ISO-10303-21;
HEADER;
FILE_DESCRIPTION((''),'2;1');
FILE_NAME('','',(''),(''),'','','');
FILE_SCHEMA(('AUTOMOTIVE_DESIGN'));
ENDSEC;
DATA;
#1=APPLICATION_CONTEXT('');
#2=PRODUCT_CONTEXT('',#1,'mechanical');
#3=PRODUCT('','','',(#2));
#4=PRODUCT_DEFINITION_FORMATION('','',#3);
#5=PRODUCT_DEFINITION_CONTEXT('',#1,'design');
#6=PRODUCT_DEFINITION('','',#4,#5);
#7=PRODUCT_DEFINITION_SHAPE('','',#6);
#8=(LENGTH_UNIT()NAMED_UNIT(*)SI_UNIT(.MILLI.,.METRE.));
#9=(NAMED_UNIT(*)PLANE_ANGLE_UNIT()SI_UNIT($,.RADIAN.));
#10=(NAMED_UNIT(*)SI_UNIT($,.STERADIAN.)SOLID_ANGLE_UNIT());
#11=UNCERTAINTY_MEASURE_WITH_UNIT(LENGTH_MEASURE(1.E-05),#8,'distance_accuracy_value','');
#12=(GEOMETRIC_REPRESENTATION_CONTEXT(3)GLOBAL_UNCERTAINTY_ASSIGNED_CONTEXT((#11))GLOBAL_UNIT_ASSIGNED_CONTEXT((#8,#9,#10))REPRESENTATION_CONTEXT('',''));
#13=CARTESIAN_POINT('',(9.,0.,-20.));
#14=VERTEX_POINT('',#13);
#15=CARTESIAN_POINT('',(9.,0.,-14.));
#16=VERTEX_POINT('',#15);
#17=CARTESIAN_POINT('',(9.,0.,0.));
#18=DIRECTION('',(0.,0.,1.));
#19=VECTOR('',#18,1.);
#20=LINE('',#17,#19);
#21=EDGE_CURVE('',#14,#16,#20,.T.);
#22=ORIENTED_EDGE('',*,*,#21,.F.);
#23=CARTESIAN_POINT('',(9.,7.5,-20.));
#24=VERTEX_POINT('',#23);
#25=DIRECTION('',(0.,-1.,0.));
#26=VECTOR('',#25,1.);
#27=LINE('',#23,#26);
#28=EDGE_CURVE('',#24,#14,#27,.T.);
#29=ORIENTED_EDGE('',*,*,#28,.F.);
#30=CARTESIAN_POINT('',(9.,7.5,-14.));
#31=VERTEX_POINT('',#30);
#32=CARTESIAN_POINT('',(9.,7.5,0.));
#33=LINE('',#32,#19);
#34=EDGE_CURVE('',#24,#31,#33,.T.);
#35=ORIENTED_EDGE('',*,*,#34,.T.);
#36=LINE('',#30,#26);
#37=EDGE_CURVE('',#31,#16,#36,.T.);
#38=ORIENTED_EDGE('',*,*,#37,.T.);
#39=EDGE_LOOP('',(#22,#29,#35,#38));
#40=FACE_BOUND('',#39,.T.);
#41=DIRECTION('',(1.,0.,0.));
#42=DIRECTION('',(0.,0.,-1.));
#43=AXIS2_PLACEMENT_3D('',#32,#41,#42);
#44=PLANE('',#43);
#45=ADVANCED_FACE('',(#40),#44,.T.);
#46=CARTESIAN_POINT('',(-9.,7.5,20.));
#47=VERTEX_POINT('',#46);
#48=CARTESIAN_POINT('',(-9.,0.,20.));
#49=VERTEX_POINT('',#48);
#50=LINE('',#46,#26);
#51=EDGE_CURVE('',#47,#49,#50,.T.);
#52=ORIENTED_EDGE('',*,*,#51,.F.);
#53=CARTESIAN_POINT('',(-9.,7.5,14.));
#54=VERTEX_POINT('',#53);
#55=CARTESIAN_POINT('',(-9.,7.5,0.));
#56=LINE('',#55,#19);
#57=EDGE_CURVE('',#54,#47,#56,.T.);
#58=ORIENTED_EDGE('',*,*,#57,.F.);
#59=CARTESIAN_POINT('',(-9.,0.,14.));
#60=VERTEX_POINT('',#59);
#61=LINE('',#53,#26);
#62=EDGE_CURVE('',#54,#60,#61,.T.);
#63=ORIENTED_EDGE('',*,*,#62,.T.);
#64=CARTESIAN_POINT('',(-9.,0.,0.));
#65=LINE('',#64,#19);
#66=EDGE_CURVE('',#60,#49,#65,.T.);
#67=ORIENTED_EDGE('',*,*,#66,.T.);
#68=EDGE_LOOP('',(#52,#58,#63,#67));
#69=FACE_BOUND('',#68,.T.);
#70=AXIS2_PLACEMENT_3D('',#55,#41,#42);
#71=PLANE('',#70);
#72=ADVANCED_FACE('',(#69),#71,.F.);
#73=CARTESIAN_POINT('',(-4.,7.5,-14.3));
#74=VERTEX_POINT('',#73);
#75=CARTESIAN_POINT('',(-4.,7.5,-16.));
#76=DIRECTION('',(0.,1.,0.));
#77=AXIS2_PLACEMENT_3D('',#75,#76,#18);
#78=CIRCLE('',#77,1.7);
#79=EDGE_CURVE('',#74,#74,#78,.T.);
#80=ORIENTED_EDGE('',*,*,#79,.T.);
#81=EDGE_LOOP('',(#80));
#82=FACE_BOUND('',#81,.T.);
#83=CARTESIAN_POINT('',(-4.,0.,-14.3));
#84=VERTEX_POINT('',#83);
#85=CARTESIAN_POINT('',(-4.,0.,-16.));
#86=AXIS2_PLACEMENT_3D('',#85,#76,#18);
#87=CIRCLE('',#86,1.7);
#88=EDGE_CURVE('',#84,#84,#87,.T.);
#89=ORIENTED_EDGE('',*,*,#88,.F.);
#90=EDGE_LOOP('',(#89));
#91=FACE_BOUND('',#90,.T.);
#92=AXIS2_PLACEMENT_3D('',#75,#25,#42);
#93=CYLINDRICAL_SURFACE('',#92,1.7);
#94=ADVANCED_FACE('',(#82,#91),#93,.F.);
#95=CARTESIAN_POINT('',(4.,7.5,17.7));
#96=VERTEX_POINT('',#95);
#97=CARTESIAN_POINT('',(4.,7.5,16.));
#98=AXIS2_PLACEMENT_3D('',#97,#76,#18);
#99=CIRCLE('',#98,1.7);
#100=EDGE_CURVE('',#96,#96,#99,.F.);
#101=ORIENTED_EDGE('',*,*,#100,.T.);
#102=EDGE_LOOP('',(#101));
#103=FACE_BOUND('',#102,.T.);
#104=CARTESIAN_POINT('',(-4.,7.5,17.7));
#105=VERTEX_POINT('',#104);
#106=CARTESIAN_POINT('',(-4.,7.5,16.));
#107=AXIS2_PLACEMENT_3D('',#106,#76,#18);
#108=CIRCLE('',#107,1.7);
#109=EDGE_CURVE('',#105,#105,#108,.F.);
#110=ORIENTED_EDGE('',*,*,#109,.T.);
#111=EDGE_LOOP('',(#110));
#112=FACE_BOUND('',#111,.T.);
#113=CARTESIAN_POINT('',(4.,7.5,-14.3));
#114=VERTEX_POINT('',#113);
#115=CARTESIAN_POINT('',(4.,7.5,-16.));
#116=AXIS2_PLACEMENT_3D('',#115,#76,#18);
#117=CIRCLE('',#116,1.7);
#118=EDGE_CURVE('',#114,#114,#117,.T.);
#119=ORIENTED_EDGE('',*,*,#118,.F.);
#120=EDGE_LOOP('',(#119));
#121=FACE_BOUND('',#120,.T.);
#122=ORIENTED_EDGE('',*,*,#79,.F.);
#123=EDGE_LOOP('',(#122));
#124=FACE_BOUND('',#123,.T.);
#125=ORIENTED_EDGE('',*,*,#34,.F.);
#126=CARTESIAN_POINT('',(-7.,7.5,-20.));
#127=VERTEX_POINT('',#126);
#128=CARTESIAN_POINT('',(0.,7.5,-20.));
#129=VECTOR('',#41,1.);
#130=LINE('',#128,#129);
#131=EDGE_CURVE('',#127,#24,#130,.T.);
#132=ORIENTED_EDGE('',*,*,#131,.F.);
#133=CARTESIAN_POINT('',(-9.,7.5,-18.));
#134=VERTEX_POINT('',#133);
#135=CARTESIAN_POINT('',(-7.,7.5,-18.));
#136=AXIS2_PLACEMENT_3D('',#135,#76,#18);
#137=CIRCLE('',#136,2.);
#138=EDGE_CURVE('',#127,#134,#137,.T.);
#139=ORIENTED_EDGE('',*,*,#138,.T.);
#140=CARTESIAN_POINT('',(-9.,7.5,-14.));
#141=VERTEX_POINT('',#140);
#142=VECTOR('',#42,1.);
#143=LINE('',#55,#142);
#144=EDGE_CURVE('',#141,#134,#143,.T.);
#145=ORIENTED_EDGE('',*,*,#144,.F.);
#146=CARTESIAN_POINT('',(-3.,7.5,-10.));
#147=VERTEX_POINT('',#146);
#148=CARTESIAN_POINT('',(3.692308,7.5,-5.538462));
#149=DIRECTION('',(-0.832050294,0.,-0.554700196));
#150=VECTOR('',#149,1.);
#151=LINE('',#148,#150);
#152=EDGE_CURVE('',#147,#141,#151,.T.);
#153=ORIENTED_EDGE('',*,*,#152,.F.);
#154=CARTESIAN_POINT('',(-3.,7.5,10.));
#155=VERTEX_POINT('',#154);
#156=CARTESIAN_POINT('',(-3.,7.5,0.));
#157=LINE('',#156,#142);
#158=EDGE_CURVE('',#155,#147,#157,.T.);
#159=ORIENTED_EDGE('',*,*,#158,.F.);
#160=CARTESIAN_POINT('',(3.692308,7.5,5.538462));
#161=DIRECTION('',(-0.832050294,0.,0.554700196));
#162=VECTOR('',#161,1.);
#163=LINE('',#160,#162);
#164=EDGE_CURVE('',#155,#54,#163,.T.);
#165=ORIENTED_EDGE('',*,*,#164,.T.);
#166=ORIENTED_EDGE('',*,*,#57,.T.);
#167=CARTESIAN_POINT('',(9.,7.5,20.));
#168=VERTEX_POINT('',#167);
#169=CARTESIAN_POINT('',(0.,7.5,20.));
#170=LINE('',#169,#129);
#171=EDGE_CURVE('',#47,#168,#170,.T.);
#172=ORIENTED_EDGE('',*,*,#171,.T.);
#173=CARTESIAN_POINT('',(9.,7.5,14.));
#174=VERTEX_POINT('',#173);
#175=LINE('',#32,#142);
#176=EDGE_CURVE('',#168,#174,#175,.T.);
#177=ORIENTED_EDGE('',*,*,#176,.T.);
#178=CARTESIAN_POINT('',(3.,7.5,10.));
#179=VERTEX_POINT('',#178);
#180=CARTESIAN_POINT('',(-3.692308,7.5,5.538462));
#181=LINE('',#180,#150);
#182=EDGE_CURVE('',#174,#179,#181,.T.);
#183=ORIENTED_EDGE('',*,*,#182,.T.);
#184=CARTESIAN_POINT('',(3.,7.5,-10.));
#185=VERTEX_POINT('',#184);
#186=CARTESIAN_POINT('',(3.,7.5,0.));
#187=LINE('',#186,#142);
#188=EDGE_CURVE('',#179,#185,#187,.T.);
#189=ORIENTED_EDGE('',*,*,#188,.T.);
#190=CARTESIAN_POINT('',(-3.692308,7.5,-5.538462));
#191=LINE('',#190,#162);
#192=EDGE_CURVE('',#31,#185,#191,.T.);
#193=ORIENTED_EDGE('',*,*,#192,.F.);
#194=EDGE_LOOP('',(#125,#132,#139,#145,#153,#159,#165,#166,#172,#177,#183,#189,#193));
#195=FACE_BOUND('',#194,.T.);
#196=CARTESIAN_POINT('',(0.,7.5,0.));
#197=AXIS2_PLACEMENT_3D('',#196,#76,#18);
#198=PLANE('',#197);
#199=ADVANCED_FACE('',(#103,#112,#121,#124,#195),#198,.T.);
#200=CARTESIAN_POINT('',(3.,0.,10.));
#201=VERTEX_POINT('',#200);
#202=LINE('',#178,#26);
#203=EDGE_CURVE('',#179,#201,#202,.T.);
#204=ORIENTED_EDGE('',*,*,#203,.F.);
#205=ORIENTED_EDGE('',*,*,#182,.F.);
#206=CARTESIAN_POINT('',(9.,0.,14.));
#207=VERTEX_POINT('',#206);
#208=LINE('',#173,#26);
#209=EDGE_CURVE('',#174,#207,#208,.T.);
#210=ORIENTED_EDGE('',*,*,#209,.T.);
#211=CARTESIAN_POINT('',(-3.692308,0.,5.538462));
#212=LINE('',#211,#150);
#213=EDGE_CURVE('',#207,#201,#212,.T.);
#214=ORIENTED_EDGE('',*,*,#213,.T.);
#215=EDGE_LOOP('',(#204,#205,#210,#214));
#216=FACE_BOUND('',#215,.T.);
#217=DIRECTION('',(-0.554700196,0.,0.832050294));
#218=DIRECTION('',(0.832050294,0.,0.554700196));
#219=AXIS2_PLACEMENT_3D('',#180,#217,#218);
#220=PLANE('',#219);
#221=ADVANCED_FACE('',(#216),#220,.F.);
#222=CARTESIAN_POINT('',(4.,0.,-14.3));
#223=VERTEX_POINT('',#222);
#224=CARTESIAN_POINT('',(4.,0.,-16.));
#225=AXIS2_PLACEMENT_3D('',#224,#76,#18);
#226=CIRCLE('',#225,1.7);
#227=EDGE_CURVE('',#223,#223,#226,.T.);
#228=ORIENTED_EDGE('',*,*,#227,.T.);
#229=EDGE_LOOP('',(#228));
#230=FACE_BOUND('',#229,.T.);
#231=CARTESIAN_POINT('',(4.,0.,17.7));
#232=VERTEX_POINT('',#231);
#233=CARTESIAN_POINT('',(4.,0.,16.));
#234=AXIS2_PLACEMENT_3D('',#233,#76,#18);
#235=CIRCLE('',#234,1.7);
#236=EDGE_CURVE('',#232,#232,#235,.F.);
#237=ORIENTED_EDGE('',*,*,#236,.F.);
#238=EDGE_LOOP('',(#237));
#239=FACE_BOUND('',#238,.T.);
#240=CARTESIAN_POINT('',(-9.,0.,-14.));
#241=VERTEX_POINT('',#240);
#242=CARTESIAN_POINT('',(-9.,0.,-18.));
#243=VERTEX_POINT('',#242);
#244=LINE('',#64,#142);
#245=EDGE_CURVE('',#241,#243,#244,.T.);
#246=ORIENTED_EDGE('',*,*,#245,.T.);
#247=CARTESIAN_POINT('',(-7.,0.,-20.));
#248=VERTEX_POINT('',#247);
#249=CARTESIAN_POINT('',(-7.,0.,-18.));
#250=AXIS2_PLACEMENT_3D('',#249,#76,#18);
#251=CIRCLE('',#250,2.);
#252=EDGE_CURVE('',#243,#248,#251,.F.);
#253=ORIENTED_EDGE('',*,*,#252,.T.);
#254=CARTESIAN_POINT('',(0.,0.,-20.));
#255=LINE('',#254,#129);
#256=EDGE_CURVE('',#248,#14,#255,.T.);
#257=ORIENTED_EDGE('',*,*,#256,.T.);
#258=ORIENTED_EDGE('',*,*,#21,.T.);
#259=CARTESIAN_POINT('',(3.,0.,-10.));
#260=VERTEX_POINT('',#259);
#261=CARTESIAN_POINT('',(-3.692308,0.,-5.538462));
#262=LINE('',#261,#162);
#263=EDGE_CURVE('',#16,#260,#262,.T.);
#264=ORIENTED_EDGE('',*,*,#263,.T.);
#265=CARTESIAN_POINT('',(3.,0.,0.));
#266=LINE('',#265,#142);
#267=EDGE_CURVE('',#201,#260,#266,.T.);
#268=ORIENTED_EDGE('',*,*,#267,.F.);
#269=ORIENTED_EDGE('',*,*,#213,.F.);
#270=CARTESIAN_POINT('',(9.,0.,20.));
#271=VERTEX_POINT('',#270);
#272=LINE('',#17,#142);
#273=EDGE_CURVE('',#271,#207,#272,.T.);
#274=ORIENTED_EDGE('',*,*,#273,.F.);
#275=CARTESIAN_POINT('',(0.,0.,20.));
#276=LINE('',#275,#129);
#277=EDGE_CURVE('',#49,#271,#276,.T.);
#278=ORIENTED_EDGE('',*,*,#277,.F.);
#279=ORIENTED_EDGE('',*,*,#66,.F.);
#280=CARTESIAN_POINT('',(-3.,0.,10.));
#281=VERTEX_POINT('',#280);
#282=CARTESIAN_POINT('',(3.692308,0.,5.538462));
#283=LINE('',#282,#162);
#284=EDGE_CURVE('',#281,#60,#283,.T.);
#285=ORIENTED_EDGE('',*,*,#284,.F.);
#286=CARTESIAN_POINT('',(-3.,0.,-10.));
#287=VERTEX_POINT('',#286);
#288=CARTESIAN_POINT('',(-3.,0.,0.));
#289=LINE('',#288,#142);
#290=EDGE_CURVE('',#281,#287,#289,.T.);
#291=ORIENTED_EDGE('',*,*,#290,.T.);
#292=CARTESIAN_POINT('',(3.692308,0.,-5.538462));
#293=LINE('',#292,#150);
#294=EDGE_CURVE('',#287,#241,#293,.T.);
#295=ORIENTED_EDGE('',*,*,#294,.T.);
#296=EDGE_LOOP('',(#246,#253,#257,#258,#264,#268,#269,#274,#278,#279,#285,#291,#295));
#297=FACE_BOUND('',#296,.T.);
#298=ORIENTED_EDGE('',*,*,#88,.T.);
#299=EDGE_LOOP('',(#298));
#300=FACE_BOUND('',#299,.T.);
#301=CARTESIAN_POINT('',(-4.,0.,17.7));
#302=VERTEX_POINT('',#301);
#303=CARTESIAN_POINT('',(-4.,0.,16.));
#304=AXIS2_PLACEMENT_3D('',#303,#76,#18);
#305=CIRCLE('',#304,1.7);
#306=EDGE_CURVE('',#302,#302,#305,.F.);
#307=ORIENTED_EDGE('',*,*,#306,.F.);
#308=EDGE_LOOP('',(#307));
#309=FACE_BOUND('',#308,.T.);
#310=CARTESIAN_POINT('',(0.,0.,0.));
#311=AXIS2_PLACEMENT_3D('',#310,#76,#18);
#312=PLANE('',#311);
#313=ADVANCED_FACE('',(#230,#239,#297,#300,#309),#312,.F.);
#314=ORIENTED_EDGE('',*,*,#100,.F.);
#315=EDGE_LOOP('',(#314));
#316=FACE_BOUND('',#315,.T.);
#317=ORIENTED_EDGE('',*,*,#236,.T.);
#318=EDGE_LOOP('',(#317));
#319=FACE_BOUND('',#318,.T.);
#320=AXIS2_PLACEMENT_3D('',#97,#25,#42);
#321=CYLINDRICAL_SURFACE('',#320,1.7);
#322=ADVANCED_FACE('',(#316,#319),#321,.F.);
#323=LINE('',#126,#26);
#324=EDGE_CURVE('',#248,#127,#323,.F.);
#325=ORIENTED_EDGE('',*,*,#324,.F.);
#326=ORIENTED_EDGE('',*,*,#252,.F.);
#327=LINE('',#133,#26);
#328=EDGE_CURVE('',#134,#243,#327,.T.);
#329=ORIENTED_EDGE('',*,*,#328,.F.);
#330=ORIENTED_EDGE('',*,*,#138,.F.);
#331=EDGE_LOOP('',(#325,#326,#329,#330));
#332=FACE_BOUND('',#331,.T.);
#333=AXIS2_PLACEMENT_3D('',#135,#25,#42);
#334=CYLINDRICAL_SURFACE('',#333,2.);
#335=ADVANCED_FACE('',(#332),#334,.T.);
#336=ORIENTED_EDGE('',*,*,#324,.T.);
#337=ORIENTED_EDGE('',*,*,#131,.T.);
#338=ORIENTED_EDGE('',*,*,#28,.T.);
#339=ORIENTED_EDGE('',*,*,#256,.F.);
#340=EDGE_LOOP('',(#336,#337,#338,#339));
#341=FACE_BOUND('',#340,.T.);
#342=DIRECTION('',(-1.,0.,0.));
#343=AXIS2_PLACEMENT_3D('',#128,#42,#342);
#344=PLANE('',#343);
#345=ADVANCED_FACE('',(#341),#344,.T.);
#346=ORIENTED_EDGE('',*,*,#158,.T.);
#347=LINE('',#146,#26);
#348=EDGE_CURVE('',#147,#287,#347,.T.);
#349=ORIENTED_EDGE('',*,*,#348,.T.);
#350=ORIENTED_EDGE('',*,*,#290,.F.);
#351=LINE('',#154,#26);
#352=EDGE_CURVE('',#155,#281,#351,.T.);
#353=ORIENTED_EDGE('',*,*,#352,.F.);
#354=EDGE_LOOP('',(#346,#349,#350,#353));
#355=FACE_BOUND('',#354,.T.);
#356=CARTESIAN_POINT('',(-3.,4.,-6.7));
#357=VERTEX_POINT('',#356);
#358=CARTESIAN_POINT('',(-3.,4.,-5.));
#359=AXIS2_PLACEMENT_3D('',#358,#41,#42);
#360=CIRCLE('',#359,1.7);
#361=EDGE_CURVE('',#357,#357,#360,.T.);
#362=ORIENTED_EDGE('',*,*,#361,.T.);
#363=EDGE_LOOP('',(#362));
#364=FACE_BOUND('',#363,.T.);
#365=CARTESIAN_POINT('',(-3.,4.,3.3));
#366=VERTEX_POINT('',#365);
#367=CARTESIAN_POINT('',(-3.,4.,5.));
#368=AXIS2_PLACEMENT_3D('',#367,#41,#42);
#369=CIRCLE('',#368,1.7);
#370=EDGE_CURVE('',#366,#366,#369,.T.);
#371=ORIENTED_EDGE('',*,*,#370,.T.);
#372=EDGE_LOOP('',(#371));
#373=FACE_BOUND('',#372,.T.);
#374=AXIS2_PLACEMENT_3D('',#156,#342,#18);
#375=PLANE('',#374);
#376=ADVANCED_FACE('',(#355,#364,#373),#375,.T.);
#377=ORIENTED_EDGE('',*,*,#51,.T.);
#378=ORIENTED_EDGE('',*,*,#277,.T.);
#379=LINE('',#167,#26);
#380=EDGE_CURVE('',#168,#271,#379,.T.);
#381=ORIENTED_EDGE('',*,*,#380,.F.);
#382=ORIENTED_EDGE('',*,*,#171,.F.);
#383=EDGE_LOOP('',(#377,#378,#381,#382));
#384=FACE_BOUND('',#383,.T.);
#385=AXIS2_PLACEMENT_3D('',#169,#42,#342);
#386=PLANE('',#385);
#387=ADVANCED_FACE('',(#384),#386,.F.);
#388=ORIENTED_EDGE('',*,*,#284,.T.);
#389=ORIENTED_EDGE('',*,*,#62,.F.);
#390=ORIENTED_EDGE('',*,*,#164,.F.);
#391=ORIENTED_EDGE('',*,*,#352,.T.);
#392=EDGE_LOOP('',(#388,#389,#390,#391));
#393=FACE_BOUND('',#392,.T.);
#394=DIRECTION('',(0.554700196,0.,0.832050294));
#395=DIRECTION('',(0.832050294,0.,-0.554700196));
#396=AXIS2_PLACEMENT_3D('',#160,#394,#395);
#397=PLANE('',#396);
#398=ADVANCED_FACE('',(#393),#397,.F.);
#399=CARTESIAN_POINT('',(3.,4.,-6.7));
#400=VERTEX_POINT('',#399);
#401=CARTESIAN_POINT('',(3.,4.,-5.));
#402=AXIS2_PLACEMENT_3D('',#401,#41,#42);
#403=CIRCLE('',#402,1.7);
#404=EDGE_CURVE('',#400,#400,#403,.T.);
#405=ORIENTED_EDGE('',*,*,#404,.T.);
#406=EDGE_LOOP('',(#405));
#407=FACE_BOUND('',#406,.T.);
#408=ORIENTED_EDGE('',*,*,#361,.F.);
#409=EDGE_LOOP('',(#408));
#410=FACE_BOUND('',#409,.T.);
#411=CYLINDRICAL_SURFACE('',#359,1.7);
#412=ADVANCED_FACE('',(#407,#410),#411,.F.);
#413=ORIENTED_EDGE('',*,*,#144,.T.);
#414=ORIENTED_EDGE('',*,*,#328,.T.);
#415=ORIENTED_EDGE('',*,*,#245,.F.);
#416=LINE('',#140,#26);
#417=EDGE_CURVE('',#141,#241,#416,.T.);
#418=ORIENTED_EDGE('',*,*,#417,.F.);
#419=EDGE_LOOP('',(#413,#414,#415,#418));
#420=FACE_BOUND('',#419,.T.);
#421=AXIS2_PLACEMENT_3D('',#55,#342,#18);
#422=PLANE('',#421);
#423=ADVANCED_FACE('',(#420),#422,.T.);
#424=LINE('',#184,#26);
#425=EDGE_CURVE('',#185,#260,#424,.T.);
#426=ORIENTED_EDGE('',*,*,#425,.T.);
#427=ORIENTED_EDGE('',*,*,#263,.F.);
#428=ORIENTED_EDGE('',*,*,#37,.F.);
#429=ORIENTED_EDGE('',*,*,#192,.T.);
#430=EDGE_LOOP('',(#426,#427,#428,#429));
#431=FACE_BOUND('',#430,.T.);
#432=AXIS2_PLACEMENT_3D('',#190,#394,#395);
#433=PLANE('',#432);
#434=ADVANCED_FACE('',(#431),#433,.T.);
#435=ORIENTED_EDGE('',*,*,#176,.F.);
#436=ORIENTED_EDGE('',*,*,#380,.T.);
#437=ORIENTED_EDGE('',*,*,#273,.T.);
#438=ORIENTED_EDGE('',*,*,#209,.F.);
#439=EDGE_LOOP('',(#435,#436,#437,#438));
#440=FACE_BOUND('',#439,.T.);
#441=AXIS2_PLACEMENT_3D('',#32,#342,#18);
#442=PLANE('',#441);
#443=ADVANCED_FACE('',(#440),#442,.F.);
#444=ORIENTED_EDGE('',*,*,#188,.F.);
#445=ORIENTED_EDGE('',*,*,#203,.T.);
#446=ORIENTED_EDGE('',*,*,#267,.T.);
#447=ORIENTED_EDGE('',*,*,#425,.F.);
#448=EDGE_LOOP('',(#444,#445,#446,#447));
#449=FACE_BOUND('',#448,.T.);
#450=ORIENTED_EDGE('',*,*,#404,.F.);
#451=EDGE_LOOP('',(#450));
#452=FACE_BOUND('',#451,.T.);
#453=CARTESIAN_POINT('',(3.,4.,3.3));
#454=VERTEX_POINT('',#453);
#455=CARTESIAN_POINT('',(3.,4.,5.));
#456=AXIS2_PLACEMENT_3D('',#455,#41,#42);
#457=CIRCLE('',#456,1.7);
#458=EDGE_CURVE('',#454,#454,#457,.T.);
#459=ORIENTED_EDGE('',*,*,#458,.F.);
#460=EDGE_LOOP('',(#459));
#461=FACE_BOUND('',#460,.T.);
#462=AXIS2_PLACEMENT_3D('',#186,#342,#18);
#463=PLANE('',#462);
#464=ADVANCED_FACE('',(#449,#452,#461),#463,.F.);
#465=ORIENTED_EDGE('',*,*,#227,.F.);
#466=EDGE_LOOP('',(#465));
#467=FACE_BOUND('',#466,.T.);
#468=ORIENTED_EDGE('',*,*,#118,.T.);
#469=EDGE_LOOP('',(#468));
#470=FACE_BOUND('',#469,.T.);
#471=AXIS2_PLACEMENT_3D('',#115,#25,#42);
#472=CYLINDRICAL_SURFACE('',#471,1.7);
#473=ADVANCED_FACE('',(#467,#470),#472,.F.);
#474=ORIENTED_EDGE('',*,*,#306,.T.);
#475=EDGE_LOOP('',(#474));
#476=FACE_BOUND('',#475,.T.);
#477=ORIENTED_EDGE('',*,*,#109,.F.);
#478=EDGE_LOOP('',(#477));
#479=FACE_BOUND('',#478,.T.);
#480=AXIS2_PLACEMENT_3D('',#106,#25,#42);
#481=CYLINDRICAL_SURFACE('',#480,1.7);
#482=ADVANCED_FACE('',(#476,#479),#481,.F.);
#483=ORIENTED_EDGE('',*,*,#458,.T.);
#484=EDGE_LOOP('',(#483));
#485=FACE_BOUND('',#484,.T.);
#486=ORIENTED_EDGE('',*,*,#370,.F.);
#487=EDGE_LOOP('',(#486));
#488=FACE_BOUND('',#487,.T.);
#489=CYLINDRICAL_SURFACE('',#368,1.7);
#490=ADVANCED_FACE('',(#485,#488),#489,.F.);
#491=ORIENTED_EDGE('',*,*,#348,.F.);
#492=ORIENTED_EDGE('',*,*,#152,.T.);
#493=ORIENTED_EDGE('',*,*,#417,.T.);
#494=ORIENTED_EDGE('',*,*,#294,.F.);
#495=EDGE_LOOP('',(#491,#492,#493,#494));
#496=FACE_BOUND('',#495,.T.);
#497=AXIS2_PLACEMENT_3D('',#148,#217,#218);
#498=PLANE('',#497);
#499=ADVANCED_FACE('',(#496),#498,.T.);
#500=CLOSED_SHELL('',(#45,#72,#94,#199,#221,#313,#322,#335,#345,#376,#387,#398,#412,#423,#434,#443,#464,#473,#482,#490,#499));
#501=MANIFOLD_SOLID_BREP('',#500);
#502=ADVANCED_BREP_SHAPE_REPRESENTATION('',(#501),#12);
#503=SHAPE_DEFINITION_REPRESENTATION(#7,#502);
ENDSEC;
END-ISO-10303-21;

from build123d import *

# Parameters (mm, degrees)
SKETCH1_R           = 1.7
SKETCH1_W           = 6
SKETCH1_H           = 20
BOSS_EXTRUDE1_DEPTH = 7.5
SKETCH3_R           = 1.7
CUT_EXTRUDE2_DEPTH  = 6
FILLET1_R           = 2


with BuildPart() as part:
    # Sketch1 → Boss-Extrude1 (new body)
    # profile 1 of 3: a face of its own
    with BuildSketch(Plane(origin=(0, 0, 0), x_dir=(1, 0, 0), z_dir=(0, 1, 0))):
        Polygon((-3, -10), (3, -10), (9, -14), (9, -20), (-9, -20), (-9, -14), align=None)
        with Locations(Location((4, -16, 0), (0, 0, 270))):
            Circle(SKETCH1_R, mode=Mode.SUBTRACT)
        with Locations(Location((-4, -16, 0), (0, 0, 270))):
            Circle(SKETCH1_R, mode=Mode.SUBTRACT)
    # profile 2 of 3: a face of its own
    with BuildSketch(Plane(origin=(0, 0, 0), x_dir=(1, 0, 0), z_dir=(0, 1, 0))):
        Rectangle(SKETCH1_W, SKETCH1_H)
    # profile 3 of 3: a face of its own
    with BuildSketch(Plane(origin=(0, 0, 0), x_dir=(1, 0, 0), z_dir=(0, 1, 0))):
        Polygon((9, 14), (3, 10), (-3, 10), (-9, 14), (-9, 20), (9, 20), align=None)
        with Locations(Location((4, 16, 0), (0, 0, 270))):
            Circle(SKETCH1_R, mode=Mode.SUBTRACT)
        with Locations(Location((-4, 16, 0), (0, 0, 270))):
            Circle(SKETCH1_R, mode=Mode.SUBTRACT)
    extrude(amount=BOSS_EXTRUDE1_DEPTH)

    # Sketch3 → Cut-Extrude2 (cut)
    with BuildSketch(Plane(origin=(3, 0, 0), x_dir=(0, 0, -1), z_dir=(1, 0, 0))):
        with Locations((-5, 4)):
            Circle(SKETCH3_R)
        with Locations((5, 4)):
            Circle(SKETCH3_R)
    extrude(amount=-CUT_EXTRUDE2_DEPTH, mode=Mode.SUBTRACT)

    # Fillet1
    fillet1_edges = [part.edges().sort_by_distance(p)[0] for p in [
        (-9, 3.75, -20),
    ]]
    fillet(fillet1_edges, radius=FILLET1_R)


solid = part.part
